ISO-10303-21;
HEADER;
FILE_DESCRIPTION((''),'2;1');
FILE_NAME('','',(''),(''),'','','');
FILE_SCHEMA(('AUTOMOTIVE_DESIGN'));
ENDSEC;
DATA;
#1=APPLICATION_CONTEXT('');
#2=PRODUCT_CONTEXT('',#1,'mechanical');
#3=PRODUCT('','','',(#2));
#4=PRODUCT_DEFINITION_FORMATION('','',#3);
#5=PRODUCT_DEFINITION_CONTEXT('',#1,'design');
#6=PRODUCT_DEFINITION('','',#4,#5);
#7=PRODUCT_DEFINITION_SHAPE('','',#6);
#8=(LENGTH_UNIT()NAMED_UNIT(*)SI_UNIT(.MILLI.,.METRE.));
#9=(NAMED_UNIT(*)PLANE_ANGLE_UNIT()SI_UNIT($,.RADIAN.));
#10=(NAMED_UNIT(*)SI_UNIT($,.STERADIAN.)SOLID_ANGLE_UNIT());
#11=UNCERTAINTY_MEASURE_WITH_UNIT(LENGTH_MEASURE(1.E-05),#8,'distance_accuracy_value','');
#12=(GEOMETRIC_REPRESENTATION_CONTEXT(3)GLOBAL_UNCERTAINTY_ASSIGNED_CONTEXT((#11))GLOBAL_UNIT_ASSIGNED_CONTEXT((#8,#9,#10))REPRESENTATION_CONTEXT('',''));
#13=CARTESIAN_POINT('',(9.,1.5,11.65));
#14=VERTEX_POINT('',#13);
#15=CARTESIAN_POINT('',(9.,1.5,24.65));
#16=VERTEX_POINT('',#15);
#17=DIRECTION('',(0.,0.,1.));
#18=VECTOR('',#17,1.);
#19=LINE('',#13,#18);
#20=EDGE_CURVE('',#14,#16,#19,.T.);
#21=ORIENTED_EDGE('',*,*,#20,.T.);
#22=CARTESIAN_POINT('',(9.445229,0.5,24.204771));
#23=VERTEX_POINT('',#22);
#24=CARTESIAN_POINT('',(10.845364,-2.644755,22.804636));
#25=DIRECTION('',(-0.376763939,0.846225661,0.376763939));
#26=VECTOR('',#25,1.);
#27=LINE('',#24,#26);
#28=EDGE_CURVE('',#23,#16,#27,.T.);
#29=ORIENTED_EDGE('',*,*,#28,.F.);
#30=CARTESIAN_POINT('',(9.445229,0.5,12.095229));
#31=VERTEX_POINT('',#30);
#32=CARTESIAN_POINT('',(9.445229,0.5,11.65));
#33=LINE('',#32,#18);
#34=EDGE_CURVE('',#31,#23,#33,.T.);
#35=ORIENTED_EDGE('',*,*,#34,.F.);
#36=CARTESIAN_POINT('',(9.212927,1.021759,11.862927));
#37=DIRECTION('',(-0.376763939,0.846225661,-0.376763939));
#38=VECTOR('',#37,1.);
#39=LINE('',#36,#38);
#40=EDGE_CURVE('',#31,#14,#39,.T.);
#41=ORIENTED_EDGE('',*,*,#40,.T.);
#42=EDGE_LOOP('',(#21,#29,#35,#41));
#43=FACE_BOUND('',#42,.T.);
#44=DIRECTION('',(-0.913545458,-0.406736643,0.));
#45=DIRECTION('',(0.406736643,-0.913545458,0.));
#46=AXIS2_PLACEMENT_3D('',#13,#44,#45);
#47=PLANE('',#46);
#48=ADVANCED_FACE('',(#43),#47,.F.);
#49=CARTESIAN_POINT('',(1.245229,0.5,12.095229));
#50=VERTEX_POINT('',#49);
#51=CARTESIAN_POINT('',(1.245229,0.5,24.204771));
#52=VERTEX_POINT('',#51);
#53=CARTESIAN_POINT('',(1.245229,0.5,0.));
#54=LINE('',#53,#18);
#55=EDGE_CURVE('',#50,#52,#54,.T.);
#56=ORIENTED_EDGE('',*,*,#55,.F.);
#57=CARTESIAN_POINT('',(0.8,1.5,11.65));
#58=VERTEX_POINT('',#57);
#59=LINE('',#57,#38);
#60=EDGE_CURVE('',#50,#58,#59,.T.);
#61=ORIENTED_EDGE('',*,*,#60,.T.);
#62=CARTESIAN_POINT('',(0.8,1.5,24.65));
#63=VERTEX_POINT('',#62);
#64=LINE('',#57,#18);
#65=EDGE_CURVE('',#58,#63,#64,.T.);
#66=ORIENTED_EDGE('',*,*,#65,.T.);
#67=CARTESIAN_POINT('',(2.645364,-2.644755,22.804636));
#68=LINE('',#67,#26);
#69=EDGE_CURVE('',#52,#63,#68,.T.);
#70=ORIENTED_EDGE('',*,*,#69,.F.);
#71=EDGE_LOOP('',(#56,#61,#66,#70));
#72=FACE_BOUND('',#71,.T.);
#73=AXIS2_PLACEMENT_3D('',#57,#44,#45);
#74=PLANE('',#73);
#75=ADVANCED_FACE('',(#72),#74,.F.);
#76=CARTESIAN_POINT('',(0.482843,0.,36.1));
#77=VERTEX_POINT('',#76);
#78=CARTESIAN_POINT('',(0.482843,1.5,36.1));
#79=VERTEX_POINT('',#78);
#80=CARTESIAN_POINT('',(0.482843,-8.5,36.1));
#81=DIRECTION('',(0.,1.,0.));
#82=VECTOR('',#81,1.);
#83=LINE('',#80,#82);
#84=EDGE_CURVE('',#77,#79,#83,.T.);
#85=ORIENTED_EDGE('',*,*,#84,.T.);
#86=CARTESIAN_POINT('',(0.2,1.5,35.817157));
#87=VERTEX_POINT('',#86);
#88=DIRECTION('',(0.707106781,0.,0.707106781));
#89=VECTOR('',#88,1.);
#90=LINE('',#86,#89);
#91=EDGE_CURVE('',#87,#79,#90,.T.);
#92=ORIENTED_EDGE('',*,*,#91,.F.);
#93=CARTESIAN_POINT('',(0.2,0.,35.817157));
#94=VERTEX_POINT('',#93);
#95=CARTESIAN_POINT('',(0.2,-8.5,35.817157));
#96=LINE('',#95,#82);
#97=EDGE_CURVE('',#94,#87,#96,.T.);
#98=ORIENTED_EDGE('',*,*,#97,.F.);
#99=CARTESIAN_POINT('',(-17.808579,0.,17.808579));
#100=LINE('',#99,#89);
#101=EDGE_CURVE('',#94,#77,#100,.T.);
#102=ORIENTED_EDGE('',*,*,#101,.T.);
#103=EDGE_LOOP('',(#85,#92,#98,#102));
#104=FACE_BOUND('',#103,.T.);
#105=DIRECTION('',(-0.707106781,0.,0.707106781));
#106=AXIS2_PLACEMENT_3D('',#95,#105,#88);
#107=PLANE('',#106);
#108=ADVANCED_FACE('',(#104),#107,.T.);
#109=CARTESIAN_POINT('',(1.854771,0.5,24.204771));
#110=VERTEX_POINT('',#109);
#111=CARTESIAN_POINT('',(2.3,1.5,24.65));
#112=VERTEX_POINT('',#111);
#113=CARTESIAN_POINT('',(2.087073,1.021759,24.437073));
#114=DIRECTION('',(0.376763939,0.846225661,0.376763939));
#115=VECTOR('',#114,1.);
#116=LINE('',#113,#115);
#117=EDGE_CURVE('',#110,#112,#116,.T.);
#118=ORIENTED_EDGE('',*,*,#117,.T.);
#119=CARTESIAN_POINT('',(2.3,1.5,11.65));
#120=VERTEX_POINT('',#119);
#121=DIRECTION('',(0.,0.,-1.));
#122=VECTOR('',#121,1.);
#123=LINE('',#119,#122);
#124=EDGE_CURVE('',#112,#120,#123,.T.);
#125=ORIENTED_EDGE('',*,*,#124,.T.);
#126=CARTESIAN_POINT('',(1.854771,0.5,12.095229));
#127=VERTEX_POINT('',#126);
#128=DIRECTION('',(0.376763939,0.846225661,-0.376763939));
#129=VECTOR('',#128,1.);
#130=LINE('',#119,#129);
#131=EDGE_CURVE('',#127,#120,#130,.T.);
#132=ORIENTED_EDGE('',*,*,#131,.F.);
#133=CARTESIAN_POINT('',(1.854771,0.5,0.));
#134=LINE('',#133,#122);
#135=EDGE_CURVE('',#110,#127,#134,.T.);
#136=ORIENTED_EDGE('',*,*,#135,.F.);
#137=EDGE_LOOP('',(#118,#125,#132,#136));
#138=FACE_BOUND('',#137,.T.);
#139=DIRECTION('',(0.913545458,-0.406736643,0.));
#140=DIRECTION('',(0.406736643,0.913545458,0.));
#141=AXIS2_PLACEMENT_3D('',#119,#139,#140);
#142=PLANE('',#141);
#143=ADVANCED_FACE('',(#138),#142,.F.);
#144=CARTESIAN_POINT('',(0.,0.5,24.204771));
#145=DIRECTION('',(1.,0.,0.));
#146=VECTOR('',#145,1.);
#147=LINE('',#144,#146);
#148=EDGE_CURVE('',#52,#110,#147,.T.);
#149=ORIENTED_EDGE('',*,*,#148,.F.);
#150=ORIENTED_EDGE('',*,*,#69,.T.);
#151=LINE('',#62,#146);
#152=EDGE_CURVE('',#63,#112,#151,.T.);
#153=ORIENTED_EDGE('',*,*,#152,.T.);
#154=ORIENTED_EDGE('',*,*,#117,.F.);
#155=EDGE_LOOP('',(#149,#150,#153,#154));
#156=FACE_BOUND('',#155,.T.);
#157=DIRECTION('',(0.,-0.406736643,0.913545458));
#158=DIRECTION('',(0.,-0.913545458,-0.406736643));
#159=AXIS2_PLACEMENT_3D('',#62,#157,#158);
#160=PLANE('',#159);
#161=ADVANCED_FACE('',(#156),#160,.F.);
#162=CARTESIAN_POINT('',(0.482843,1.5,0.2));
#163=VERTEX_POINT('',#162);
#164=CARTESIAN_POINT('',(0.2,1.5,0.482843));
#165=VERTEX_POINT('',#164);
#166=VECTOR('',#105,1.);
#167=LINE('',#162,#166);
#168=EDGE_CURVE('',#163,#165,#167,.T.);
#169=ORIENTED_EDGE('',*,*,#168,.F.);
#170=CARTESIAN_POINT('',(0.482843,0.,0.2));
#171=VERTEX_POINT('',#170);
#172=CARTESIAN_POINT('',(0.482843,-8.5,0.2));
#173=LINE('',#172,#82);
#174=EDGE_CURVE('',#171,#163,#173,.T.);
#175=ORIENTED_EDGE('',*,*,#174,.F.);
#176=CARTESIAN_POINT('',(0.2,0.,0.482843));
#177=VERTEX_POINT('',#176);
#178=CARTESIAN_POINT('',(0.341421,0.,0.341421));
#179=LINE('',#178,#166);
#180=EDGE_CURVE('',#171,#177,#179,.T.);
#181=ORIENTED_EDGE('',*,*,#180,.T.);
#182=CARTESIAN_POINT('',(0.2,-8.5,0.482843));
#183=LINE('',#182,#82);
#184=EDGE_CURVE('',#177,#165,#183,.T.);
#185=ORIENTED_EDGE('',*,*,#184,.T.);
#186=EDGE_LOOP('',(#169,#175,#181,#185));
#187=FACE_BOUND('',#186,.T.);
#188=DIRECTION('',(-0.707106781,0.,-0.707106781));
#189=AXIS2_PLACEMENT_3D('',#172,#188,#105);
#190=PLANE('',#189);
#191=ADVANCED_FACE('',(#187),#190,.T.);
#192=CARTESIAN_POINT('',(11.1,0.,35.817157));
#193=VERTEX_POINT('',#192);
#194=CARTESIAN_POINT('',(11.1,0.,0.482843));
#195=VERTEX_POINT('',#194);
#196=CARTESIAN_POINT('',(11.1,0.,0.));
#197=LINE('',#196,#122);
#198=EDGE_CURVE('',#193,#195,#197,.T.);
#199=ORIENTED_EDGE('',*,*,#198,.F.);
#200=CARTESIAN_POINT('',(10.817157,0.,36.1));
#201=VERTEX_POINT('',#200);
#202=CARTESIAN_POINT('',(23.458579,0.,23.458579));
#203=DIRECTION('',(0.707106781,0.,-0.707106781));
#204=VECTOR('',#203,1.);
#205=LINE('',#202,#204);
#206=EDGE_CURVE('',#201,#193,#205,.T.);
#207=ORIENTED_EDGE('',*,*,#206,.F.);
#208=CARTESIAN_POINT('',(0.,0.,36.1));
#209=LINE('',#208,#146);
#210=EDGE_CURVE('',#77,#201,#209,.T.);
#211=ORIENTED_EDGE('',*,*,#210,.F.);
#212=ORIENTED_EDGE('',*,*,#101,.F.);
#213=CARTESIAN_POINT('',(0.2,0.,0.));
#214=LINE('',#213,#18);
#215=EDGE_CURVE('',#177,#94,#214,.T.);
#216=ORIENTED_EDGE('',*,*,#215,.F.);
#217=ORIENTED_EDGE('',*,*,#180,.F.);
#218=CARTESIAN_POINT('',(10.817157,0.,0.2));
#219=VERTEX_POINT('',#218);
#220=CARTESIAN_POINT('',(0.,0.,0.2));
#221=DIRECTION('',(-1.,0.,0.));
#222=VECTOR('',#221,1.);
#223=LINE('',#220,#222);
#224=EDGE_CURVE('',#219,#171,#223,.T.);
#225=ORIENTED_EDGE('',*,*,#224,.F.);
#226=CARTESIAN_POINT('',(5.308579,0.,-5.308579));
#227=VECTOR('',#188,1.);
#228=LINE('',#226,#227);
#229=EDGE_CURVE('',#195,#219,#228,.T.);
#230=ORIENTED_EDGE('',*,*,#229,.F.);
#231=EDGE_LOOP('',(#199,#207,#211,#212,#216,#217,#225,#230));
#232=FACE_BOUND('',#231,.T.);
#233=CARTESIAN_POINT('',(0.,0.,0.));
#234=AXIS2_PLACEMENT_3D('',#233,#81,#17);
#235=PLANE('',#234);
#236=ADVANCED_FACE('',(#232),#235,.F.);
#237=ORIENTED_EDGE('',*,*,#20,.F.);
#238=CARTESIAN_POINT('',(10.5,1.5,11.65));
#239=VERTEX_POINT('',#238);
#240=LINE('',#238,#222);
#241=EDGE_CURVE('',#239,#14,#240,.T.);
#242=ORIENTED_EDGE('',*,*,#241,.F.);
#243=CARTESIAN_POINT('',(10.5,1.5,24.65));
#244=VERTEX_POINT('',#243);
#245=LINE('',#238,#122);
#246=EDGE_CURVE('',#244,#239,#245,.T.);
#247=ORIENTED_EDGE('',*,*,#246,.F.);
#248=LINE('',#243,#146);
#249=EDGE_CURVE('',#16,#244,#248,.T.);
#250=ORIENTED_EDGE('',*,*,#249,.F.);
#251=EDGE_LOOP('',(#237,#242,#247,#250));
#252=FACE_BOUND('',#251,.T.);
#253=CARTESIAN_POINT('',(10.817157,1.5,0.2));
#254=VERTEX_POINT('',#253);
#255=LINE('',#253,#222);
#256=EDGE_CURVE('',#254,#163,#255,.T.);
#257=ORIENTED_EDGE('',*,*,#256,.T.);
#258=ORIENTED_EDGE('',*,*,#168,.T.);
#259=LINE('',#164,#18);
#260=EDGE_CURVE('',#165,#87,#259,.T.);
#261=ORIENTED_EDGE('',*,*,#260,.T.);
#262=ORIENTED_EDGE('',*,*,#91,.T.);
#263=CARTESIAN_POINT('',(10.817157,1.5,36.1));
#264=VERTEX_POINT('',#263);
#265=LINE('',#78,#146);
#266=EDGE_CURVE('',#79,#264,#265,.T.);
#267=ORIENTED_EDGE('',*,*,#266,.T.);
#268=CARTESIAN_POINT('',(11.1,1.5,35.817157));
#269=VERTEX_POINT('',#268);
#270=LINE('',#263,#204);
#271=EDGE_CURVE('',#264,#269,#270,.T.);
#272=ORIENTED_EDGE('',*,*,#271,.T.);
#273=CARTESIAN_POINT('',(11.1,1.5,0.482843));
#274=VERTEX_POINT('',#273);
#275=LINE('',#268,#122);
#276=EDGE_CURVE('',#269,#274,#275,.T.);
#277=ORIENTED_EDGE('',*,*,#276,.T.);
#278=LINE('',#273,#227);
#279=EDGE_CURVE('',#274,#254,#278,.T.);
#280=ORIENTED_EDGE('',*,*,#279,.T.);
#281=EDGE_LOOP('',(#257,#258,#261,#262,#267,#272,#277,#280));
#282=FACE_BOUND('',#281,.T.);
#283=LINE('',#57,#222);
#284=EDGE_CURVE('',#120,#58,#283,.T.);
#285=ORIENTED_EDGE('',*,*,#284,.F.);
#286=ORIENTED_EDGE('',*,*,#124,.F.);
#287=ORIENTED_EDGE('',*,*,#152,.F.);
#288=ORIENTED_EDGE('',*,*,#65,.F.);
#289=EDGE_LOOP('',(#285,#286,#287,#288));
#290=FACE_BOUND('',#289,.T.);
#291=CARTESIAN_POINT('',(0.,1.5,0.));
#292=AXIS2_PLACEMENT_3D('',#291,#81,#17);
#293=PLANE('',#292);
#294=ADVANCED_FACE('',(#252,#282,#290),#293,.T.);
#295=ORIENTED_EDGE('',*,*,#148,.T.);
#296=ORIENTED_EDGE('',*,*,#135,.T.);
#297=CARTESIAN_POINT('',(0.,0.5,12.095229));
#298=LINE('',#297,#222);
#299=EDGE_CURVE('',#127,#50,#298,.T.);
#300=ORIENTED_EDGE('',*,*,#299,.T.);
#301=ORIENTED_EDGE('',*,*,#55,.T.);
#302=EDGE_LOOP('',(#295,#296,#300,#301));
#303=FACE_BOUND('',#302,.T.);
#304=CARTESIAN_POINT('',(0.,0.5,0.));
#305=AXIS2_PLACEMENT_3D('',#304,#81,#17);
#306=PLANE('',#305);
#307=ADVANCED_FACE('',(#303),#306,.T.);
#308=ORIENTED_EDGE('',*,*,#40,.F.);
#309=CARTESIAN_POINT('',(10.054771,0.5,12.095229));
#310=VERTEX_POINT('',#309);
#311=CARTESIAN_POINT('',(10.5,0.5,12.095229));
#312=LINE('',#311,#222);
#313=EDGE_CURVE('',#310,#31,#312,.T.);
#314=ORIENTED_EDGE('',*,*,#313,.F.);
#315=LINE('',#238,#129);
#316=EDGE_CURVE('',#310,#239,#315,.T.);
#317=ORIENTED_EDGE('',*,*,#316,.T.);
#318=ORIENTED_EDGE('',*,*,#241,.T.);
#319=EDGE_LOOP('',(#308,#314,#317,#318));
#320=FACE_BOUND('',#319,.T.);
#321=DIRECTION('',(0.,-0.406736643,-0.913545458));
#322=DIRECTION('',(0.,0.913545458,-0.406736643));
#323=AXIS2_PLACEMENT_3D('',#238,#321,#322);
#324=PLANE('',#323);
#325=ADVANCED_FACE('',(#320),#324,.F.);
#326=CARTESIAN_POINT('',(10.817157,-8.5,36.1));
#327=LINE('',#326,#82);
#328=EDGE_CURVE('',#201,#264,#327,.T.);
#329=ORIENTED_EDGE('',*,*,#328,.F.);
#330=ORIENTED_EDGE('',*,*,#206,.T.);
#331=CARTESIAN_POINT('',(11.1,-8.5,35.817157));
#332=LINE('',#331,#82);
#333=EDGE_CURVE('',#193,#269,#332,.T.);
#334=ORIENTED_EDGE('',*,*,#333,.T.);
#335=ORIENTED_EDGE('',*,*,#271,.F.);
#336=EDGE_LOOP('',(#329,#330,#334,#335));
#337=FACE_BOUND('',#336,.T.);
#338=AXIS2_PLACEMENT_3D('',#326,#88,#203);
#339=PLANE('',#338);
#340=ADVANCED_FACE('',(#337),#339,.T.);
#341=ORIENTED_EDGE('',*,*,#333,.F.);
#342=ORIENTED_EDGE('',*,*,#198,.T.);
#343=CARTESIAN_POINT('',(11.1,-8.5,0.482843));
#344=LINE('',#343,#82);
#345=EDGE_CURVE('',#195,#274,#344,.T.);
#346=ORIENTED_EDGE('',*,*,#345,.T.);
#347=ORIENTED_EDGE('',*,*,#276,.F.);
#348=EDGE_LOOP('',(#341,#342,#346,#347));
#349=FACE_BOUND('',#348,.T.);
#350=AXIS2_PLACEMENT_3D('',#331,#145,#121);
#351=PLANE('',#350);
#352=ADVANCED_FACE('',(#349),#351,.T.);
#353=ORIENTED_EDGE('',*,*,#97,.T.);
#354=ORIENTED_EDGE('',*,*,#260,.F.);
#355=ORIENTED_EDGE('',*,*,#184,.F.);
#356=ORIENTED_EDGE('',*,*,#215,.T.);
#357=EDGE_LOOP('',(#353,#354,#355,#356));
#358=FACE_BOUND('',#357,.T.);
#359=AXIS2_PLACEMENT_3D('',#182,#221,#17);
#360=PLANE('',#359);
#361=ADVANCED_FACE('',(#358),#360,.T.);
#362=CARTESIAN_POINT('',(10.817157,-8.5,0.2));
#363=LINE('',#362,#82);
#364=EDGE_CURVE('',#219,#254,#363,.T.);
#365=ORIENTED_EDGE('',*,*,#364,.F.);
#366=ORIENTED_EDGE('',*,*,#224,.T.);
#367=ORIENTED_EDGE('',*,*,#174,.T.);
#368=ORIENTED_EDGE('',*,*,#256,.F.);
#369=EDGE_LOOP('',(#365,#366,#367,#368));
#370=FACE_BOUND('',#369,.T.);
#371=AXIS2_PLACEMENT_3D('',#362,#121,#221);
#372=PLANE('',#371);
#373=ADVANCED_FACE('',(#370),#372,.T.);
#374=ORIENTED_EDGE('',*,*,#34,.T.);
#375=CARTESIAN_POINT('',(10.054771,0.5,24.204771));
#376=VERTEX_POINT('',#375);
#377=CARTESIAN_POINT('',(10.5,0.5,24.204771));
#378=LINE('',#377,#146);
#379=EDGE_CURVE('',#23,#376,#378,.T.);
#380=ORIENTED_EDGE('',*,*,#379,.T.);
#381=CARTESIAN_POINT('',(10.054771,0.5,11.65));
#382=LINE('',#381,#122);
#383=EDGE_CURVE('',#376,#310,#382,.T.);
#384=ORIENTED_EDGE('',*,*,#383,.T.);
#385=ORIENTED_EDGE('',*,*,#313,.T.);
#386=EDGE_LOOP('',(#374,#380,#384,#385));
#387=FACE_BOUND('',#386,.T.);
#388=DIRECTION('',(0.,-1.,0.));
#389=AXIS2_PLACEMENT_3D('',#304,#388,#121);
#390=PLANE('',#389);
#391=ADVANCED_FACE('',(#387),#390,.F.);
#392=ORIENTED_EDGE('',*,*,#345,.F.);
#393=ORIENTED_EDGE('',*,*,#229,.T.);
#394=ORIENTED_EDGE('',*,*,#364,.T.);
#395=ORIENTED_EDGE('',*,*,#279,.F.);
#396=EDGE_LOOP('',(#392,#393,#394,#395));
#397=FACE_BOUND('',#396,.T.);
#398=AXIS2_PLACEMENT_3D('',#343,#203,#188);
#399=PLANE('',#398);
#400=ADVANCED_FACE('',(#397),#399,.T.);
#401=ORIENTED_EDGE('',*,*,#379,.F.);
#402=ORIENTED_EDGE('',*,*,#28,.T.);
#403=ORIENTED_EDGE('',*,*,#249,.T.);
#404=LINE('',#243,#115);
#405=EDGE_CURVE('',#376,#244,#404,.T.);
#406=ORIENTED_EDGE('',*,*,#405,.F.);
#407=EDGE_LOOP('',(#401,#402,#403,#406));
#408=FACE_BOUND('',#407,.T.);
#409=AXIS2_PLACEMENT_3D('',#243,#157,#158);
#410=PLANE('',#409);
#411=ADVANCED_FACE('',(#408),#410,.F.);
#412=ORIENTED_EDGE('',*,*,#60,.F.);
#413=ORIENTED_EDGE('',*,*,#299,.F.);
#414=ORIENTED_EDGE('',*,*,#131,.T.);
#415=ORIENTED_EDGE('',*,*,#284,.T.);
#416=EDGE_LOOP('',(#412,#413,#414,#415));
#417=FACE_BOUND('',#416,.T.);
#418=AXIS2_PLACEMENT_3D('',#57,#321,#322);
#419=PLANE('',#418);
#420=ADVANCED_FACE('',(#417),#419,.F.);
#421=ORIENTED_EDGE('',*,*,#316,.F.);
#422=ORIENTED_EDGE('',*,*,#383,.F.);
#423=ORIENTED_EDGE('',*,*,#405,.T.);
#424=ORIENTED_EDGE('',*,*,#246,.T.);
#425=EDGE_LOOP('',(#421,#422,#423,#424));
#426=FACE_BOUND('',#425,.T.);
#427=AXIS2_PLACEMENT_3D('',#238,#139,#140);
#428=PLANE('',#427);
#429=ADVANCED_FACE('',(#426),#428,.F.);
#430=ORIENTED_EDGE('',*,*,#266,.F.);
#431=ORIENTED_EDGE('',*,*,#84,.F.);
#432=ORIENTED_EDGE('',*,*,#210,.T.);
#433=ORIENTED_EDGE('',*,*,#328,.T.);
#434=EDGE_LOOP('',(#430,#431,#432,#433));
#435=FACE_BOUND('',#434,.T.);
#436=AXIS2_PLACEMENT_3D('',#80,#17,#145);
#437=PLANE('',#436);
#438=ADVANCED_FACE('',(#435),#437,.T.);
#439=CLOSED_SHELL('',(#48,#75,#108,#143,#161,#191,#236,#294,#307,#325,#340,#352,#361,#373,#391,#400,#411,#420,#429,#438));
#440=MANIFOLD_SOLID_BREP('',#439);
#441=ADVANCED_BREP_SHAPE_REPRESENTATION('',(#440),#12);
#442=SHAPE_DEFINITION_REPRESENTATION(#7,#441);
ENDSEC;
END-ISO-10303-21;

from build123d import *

# Parameters (mm, degrees)
SKETCH_1_W                    = 11.3
SKETCH_1_H                    = 36.3
EXTRUDE_1_DEPTH               = 1.5
CHAMFER_1_SIZE                = 0.4
SKETCH_2_W                    = 1.5
SKETCH_2_H                    = 13
CUT_EXTRUDE_1_DEPTH           = 1
CUT_EXTRUDE_1_DRAFT           = -24
CUT_EXTRUDE_1_PROFILE_2_DEPTH = 1
CUT_EXTRUDE_1_PROFILE_2_DRAFT = -24
CUT_EXTRUDE_2_DEPTH           = 10


with BuildPart() as part:
    # 草图1 → 凸台-拉伸1 (new body)
    with BuildSketch(Plane(origin=(0, 0, 0), x_dir=(1, 0, 0), z_dir=(0, 1, 0))):
        with Locations((5.65, -18.15)):
            Rectangle(SKETCH_1_W, SKETCH_1_H)
    extrude(amount=EXTRUDE_1_DEPTH)

    # 倒角1
    chamfer_1_edges = [part.edges().sort_by_distance(p)[0] for p in [
        (0, 0.75, 0),
        (11.3, 0.75, 0),
        (11.3, 0.75, 36.3),
        (0, 0.75, 36.3),
    ]]
    chamfer(chamfer_1_edges, length=CHAMFER_1_SIZE)


with BuildPart() as cut_extrude_1_tool:
    # 草图2 → 切除-拉伸1 (with draft: the straight prism first)
    with BuildSketch(Plane(origin=(0, 1.5, 0), x_dir=(1, 0, 0), z_dir=(0, 1, 0))):
        with Locations((1.55, -18.15)):
            Rectangle(SKETCH_2_W, SKETCH_2_H)
    extrude(amount=-CUT_EXTRUDE_1_DEPTH)
    # 切除-拉伸1: the draft: its side faces are tilted about the plane it starts from
    cut_extrude_1_sides = [cut_extrude_1_tool.faces().sort_by_distance(p)[0] for p in [
        (0.8, 1, 18.15),
        (1.55, 1, 24.65),
        (2.3, 1, 18.15),
        (1.55, 1, 11.65),
    ]]
    draft(cut_extrude_1_sides, Plane(origin=(0, 1.5, 0), x_dir=(1, 0, 0), z_dir=(0, 1, 0)), CUT_EXTRUDE_1_DRAFT)


with BuildPart() as part_1:
    add(part.part)

    # 切除-拉伸1: cut by cut_extrude_1_tool
    add(cut_extrude_1_tool.part, mode=Mode.SUBTRACT)


with BuildPart() as cut_extrude_1_profile_2_tool:
    # 草图2 → 切除-拉伸1 profile 2 (with draft: the straight prism first)
    with BuildSketch(Plane(origin=(0, 1.5, 0), x_dir=(1, 0, 0), z_dir=(0, 1, 0))):
        with Locations((9.75, -18.15)):
            Rectangle(SKETCH_2_W, SKETCH_2_H)
    extrude(amount=-CUT_EXTRUDE_1_PROFILE_2_DEPTH)
    # 切除-拉伸1 profile 2: the draft: its side faces are tilted about the plane it starts from
    cut_extrude_1_profile_2_sides = [cut_extrude_1_profile_2_tool.faces().sort_by_distance(p)[0] for p in [
        (9.75, 1, 11.65),
        (9, 1, 18.15),
        (9.75, 1, 24.65),
        (10.5, 1, 18.15),
    ]]
    draft(cut_extrude_1_profile_2_sides, Plane(origin=(0, 1.5, 0), x_dir=(1, 0, 0), z_dir=(0, 1, 0)), CUT_EXTRUDE_1_PROFILE_2_DRAFT)


with BuildPart() as part_2:
    add(part_1.part)

    # 切除-拉伸1 profile 2: cut by cut_extrude_1_profile_2_tool
    add(cut_extrude_1_profile_2_tool.part, mode=Mode.SUBTRACT)

    # 草图3 → 切除-拉伸2 (cut)
    with BuildSketch(Plane(origin=(0, 1.5, 0), x_dir=(1, 0, 0), z_dir=(0, 1, 0))):
        Polygon((0, -0.4), (0, -35.9), (0.4, -36.3), (10.9, -36.3), (11.3, -35.9), (11.3, -0.4), (10.9, 0), (0.4, 0), align=None)
        Polygon((0.2, -0.482842712), (0.2, -35.817157288), (0.482842712, -36.1), (10.817157288, -36.1), (11.1, -35.817157288), (11.1, -0.482842712), (10.817157288, -0.2), (0.482842712, -0.2), align=None, mode=Mode.SUBTRACT)
    extrude(amount=-CUT_EXTRUDE_2_DEPTH, mode=Mode.SUBTRACT)


solid = part_2.part
